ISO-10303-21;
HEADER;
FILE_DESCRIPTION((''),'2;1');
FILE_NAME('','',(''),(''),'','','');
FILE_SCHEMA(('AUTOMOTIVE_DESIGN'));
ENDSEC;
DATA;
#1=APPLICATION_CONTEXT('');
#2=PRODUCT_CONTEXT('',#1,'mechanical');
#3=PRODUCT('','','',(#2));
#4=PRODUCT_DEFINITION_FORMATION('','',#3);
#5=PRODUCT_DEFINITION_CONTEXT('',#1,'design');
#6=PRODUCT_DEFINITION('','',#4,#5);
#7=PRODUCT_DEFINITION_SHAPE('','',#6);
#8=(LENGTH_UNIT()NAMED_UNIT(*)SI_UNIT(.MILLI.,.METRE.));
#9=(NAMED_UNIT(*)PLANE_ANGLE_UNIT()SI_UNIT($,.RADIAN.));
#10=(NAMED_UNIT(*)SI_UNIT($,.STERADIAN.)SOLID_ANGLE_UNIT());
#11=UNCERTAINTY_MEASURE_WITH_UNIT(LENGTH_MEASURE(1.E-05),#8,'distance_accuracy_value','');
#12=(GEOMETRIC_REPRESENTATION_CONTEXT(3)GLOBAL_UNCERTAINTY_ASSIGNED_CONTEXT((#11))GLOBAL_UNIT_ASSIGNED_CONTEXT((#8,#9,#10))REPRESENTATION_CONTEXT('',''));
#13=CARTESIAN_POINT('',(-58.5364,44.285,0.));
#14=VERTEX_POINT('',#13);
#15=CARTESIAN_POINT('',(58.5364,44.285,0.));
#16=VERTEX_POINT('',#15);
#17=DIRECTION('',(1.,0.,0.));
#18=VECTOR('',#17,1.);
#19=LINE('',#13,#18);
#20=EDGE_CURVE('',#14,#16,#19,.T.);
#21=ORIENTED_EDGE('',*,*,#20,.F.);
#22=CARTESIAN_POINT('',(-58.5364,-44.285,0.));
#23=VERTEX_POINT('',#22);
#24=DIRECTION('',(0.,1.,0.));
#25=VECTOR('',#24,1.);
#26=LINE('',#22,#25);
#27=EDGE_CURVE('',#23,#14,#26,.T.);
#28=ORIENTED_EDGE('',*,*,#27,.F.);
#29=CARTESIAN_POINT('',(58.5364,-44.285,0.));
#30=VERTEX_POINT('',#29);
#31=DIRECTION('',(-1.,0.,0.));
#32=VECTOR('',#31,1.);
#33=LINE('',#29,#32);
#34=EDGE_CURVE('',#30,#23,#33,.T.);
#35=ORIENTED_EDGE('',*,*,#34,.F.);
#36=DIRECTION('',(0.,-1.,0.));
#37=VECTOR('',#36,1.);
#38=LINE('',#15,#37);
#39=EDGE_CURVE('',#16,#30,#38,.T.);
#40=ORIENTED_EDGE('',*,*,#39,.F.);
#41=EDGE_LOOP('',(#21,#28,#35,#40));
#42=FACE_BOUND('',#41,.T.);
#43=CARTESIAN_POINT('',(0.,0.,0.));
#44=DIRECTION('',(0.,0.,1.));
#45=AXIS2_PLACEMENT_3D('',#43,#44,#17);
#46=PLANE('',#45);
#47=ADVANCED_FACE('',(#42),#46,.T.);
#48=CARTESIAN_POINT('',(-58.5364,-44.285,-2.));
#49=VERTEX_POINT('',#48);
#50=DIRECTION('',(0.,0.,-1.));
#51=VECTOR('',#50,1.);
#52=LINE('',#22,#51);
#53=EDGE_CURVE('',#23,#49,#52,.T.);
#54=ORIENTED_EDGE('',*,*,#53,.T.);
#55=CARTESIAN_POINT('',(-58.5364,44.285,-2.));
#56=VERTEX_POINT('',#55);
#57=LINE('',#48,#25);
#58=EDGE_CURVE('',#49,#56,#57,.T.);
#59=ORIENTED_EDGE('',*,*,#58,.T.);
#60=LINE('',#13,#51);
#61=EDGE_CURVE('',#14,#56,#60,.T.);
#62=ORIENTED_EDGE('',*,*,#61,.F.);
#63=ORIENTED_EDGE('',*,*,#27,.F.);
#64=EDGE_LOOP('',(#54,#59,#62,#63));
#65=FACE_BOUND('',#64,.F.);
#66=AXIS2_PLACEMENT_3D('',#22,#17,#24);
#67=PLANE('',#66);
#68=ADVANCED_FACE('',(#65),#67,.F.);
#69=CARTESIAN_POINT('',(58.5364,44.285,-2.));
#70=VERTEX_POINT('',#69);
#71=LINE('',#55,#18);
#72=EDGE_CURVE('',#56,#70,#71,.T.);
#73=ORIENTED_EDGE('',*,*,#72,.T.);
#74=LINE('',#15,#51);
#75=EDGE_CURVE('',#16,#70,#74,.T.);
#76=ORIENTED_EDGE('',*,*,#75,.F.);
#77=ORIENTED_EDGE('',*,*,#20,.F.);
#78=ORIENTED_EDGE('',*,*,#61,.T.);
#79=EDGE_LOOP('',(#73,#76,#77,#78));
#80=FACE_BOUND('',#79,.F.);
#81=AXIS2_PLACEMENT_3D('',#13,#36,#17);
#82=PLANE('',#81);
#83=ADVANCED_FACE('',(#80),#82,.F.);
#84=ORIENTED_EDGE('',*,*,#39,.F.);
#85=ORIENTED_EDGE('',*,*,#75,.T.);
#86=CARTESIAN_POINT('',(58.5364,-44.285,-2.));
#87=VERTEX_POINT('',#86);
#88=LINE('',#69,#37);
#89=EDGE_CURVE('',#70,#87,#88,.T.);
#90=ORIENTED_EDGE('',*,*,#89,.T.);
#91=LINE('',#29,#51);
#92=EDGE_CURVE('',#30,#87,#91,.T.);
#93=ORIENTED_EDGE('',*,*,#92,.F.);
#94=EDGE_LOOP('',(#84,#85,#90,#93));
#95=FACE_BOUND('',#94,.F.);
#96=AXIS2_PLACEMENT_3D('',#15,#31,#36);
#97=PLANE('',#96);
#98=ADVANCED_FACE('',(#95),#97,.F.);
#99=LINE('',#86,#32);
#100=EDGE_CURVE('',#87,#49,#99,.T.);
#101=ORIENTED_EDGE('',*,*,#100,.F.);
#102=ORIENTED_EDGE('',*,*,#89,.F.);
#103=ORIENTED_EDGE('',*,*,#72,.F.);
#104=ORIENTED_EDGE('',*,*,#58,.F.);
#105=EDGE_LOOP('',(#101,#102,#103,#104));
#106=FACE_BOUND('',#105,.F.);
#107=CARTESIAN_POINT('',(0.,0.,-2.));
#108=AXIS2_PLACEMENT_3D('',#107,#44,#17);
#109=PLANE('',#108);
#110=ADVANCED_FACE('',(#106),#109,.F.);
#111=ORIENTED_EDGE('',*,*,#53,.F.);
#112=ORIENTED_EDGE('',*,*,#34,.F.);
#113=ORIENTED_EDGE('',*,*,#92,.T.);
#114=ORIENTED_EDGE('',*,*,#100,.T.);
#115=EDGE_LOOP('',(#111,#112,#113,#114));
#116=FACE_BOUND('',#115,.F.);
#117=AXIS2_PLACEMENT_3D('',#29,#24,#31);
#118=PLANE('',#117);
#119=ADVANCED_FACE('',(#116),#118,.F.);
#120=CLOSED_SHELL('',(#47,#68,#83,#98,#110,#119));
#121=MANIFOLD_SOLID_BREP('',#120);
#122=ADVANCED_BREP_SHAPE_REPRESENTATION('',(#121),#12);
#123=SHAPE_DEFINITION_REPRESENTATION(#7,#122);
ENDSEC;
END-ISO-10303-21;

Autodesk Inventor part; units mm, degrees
ref_plane "YZ Plane" through (0, 0, 0) normal (1, 0, 0) x (0, 1, 0)
ref_plane "XZ Plane" through (0, 0, 0) normal (0, 1, 0) x (-1, 0, 0)
ref_plane "XY Plane" through (0, 0, 0) normal (0, 0, 1) x (1, 0, 0)
sketch "Skizze1" plane through (0, 0, 0) normal (0, 0, 1) x (1, 0, 0)
  line L0 (-58.5364, 44.285) -> (58.5364, 44.285)
  line L1 (58.5364, 44.285) -> (58.5364, -44.285)
  line L2 (58.5364, -44.285) -> (-58.5364, -44.285)
  line L3 (-58.5364, -44.285) -> (-58.5364, 44.285)
  line L4 (-81.951, 0) -> (81.951, 0) construction
  line L5 (0, -61.999) -> (0, 61.999) construction
  line L6 (-58.5364, 44.285) -> (58.5364, 44.285) construction
  line L7 (58.5364, 44.285) -> (58.5364, -44.285) construction
  line L8 (58.5364, -44.285) -> (-58.5364, -44.285) construction
  line L9 (-58.5364, -44.285) -> (-58.5364, 44.285) construction
  point P0 (0, 0)
  dimension "d0" = 88.57
extrude "Extrusion1" add sketch "Skizze1" against normal blind 2
properties part number "BotControllerPCB"
